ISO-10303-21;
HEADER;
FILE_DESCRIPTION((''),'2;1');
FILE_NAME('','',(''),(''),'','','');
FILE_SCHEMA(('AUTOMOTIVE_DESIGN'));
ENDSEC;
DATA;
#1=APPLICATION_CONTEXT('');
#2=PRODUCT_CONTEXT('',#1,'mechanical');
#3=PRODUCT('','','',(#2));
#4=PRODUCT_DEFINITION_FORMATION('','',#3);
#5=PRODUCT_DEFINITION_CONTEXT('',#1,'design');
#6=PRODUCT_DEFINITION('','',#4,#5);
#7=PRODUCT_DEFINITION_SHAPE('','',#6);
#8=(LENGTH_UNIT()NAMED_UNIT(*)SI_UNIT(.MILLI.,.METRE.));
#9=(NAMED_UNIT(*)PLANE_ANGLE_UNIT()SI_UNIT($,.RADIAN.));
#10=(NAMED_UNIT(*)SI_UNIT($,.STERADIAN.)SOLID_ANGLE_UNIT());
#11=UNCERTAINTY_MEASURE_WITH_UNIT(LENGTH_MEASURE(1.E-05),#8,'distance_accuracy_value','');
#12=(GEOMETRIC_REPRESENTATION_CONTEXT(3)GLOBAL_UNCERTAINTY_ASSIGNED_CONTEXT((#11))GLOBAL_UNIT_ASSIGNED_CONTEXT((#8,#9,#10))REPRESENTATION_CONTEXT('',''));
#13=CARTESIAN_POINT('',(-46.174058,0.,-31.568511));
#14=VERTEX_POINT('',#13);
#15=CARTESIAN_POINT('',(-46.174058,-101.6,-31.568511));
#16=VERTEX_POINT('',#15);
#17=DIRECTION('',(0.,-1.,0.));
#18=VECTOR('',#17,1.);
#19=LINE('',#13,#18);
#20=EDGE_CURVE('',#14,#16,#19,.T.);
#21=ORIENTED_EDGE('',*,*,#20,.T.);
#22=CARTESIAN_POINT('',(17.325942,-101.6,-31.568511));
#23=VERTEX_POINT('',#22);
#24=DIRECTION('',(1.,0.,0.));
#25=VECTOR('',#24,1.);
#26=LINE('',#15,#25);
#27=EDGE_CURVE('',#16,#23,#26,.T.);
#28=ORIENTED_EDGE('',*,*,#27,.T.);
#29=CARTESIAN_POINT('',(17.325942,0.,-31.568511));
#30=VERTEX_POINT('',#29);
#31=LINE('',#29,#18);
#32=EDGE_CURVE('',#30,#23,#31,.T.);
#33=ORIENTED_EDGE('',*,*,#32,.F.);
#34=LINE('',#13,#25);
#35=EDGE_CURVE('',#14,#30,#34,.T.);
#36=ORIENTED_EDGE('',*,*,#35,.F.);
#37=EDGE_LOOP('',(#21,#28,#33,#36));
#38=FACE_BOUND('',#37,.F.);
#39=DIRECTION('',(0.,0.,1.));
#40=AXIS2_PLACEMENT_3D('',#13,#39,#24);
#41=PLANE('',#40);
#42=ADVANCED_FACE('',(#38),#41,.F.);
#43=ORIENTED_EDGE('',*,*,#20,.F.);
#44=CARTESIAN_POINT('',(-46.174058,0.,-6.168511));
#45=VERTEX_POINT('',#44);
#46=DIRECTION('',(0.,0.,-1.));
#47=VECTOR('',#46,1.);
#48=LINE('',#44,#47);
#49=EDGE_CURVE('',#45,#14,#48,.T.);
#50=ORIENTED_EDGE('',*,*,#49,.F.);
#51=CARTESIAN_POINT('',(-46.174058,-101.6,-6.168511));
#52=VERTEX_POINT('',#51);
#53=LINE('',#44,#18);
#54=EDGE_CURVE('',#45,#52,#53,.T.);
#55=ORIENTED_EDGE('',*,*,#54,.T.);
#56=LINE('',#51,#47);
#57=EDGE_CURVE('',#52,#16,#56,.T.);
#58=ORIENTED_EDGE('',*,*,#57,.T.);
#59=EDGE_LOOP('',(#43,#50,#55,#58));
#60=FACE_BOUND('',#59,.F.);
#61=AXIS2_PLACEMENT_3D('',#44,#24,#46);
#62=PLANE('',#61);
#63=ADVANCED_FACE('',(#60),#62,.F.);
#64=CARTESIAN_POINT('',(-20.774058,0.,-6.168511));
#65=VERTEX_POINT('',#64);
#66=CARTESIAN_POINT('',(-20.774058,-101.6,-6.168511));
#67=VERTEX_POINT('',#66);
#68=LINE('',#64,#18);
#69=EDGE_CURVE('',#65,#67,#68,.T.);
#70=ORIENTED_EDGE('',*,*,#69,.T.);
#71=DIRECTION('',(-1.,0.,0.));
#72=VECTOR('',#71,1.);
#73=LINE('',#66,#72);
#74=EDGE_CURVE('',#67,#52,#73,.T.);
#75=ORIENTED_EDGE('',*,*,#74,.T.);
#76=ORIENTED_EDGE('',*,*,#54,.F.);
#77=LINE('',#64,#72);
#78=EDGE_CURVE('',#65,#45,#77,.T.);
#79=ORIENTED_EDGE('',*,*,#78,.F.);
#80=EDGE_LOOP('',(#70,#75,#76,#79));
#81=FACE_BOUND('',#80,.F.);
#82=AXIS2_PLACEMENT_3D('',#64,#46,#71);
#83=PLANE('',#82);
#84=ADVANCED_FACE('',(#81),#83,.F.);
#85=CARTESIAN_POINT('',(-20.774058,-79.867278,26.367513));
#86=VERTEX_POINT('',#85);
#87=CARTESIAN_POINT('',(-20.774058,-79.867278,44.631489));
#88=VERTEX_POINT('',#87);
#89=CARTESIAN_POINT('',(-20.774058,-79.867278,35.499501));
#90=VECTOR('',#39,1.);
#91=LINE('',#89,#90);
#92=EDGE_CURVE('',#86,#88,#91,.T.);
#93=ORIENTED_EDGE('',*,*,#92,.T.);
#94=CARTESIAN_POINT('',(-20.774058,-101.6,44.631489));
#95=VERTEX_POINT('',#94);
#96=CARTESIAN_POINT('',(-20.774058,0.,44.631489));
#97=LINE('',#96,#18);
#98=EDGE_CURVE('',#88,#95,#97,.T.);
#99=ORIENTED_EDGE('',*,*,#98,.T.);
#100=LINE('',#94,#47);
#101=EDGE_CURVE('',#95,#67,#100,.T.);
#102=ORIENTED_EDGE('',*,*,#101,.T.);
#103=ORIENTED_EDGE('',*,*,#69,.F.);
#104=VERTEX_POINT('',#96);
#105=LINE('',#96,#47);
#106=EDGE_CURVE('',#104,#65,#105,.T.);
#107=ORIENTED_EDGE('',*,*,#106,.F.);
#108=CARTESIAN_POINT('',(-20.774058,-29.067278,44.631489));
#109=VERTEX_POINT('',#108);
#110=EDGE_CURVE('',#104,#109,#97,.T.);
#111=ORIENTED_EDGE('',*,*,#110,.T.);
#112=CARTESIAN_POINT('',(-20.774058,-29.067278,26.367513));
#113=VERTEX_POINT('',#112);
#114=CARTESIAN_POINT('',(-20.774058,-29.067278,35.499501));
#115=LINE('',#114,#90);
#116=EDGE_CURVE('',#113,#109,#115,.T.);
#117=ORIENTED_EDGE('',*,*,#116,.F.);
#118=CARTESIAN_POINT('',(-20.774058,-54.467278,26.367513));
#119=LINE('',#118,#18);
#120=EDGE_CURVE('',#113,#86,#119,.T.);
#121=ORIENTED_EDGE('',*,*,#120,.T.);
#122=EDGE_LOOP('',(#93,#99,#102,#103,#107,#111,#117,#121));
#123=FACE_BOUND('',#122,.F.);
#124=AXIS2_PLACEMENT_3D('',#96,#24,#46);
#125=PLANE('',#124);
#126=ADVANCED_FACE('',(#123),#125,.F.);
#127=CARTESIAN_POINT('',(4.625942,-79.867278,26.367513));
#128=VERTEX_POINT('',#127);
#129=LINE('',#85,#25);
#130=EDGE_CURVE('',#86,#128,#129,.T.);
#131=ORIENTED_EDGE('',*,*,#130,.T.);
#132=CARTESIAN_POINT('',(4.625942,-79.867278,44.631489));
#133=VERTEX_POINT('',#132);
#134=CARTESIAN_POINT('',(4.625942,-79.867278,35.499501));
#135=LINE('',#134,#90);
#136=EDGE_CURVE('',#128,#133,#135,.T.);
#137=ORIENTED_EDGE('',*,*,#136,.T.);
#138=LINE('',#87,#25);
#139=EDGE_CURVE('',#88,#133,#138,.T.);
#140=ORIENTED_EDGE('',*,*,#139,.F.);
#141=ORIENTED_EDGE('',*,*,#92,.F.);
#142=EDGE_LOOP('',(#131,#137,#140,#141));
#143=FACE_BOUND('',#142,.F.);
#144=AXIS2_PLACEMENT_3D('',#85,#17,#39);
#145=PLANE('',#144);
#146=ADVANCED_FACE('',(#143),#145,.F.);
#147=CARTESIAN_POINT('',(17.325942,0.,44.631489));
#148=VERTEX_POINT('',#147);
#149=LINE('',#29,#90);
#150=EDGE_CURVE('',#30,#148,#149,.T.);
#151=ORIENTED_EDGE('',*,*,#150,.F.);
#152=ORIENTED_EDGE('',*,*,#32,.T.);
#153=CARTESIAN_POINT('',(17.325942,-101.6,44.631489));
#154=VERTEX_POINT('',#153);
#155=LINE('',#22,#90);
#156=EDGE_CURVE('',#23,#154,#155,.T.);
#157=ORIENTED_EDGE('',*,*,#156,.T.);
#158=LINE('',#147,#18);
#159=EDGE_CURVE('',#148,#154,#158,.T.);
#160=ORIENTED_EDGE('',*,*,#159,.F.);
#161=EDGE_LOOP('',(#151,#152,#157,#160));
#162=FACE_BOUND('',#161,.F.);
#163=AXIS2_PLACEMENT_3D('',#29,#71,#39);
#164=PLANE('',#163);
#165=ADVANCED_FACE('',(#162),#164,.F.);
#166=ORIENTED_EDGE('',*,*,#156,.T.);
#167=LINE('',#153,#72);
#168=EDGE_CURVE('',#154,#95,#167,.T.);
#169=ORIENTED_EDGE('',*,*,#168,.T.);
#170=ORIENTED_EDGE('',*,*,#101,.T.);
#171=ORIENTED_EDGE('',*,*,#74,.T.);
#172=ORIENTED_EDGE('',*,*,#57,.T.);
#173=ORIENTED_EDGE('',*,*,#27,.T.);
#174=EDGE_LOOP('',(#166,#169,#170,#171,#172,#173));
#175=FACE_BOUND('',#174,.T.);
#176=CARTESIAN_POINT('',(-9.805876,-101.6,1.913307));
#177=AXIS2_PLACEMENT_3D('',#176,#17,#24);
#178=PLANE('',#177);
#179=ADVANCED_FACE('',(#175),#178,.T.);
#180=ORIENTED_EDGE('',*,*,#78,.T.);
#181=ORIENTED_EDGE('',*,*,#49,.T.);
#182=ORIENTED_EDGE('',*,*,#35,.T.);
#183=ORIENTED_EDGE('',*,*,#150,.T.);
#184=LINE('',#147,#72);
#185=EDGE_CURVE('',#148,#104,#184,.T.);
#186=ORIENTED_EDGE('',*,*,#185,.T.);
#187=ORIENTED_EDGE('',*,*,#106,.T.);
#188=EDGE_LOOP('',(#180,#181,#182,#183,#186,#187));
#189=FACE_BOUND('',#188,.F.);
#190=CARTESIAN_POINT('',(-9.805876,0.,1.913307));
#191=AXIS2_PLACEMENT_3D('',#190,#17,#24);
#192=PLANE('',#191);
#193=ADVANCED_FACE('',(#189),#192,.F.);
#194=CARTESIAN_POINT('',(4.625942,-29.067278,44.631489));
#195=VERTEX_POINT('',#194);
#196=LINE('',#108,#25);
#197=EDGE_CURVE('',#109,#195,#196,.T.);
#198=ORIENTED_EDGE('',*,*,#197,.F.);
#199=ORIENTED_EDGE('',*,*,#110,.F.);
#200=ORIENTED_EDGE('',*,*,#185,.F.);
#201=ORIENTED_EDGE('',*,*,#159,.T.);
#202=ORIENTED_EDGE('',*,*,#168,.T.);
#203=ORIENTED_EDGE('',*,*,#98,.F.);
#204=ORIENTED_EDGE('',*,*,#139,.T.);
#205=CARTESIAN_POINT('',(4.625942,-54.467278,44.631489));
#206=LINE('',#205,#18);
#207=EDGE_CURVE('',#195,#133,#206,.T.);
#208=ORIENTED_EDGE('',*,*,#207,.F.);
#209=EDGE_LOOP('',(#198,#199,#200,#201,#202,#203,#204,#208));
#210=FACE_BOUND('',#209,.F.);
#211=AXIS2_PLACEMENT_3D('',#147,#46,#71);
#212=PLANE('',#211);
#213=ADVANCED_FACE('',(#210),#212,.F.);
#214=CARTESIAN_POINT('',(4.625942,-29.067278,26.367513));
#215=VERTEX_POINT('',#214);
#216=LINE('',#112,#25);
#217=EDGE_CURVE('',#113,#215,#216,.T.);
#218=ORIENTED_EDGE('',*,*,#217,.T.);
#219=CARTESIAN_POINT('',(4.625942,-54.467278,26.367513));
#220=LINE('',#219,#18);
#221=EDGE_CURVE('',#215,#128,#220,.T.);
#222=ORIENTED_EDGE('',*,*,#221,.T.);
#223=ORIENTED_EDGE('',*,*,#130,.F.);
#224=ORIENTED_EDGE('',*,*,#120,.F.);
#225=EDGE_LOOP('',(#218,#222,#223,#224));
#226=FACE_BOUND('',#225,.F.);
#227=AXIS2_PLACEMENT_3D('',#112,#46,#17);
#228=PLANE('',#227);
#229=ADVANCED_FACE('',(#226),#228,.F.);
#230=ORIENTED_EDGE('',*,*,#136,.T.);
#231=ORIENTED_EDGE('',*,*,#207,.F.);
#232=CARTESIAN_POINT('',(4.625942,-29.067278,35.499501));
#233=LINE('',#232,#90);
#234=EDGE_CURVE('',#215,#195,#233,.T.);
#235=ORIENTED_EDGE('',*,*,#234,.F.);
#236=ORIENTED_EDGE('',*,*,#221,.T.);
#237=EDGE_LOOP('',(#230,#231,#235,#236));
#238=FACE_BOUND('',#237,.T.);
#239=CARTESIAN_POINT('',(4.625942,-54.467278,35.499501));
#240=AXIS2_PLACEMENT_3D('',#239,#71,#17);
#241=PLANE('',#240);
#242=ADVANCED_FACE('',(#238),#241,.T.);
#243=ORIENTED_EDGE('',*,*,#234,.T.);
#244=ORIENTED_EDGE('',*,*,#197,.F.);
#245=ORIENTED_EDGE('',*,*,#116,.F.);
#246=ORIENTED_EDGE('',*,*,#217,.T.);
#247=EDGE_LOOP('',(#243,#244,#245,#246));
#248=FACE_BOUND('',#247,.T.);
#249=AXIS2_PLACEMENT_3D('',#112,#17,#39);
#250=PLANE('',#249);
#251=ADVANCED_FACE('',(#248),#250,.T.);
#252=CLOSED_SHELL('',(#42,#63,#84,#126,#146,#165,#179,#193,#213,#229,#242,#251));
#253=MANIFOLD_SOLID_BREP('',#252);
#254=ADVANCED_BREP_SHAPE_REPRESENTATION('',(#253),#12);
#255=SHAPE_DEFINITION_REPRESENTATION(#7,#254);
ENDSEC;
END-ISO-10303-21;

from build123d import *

# Parameters (mm, degrees)
F1_DEPTH = 101.6
F2_W     = 50.8
F2_H     = 18.263976
F3_DEPTH = 25.4


with BuildPart() as f1:
    # F0 (on Front) → F1 (new body)
    with BuildSketch(Plane.XZ):
        Polygon((-46.174058, -6.168511), (-46.174058, -31.568511), (17.325942, -31.568511), (17.325942, 44.631489), (-20.774058, 44.631489), (-20.774058, -6.168511), align=None)
    extrude(amount=F1_DEPTH)

    # F2 (on face) → F3 (cut)
    with BuildSketch(Plane(origin=(-20.774058, 0, 0), x_dir=(0, -1, 0), z_dir=(-1, 0, 0))):
        with Locations((54.467278, 35.499501)):
            Rectangle(F2_W, F2_H)
    extrude(amount=-F3_DEPTH, mode=Mode.SUBTRACT)


solid = f1.part
